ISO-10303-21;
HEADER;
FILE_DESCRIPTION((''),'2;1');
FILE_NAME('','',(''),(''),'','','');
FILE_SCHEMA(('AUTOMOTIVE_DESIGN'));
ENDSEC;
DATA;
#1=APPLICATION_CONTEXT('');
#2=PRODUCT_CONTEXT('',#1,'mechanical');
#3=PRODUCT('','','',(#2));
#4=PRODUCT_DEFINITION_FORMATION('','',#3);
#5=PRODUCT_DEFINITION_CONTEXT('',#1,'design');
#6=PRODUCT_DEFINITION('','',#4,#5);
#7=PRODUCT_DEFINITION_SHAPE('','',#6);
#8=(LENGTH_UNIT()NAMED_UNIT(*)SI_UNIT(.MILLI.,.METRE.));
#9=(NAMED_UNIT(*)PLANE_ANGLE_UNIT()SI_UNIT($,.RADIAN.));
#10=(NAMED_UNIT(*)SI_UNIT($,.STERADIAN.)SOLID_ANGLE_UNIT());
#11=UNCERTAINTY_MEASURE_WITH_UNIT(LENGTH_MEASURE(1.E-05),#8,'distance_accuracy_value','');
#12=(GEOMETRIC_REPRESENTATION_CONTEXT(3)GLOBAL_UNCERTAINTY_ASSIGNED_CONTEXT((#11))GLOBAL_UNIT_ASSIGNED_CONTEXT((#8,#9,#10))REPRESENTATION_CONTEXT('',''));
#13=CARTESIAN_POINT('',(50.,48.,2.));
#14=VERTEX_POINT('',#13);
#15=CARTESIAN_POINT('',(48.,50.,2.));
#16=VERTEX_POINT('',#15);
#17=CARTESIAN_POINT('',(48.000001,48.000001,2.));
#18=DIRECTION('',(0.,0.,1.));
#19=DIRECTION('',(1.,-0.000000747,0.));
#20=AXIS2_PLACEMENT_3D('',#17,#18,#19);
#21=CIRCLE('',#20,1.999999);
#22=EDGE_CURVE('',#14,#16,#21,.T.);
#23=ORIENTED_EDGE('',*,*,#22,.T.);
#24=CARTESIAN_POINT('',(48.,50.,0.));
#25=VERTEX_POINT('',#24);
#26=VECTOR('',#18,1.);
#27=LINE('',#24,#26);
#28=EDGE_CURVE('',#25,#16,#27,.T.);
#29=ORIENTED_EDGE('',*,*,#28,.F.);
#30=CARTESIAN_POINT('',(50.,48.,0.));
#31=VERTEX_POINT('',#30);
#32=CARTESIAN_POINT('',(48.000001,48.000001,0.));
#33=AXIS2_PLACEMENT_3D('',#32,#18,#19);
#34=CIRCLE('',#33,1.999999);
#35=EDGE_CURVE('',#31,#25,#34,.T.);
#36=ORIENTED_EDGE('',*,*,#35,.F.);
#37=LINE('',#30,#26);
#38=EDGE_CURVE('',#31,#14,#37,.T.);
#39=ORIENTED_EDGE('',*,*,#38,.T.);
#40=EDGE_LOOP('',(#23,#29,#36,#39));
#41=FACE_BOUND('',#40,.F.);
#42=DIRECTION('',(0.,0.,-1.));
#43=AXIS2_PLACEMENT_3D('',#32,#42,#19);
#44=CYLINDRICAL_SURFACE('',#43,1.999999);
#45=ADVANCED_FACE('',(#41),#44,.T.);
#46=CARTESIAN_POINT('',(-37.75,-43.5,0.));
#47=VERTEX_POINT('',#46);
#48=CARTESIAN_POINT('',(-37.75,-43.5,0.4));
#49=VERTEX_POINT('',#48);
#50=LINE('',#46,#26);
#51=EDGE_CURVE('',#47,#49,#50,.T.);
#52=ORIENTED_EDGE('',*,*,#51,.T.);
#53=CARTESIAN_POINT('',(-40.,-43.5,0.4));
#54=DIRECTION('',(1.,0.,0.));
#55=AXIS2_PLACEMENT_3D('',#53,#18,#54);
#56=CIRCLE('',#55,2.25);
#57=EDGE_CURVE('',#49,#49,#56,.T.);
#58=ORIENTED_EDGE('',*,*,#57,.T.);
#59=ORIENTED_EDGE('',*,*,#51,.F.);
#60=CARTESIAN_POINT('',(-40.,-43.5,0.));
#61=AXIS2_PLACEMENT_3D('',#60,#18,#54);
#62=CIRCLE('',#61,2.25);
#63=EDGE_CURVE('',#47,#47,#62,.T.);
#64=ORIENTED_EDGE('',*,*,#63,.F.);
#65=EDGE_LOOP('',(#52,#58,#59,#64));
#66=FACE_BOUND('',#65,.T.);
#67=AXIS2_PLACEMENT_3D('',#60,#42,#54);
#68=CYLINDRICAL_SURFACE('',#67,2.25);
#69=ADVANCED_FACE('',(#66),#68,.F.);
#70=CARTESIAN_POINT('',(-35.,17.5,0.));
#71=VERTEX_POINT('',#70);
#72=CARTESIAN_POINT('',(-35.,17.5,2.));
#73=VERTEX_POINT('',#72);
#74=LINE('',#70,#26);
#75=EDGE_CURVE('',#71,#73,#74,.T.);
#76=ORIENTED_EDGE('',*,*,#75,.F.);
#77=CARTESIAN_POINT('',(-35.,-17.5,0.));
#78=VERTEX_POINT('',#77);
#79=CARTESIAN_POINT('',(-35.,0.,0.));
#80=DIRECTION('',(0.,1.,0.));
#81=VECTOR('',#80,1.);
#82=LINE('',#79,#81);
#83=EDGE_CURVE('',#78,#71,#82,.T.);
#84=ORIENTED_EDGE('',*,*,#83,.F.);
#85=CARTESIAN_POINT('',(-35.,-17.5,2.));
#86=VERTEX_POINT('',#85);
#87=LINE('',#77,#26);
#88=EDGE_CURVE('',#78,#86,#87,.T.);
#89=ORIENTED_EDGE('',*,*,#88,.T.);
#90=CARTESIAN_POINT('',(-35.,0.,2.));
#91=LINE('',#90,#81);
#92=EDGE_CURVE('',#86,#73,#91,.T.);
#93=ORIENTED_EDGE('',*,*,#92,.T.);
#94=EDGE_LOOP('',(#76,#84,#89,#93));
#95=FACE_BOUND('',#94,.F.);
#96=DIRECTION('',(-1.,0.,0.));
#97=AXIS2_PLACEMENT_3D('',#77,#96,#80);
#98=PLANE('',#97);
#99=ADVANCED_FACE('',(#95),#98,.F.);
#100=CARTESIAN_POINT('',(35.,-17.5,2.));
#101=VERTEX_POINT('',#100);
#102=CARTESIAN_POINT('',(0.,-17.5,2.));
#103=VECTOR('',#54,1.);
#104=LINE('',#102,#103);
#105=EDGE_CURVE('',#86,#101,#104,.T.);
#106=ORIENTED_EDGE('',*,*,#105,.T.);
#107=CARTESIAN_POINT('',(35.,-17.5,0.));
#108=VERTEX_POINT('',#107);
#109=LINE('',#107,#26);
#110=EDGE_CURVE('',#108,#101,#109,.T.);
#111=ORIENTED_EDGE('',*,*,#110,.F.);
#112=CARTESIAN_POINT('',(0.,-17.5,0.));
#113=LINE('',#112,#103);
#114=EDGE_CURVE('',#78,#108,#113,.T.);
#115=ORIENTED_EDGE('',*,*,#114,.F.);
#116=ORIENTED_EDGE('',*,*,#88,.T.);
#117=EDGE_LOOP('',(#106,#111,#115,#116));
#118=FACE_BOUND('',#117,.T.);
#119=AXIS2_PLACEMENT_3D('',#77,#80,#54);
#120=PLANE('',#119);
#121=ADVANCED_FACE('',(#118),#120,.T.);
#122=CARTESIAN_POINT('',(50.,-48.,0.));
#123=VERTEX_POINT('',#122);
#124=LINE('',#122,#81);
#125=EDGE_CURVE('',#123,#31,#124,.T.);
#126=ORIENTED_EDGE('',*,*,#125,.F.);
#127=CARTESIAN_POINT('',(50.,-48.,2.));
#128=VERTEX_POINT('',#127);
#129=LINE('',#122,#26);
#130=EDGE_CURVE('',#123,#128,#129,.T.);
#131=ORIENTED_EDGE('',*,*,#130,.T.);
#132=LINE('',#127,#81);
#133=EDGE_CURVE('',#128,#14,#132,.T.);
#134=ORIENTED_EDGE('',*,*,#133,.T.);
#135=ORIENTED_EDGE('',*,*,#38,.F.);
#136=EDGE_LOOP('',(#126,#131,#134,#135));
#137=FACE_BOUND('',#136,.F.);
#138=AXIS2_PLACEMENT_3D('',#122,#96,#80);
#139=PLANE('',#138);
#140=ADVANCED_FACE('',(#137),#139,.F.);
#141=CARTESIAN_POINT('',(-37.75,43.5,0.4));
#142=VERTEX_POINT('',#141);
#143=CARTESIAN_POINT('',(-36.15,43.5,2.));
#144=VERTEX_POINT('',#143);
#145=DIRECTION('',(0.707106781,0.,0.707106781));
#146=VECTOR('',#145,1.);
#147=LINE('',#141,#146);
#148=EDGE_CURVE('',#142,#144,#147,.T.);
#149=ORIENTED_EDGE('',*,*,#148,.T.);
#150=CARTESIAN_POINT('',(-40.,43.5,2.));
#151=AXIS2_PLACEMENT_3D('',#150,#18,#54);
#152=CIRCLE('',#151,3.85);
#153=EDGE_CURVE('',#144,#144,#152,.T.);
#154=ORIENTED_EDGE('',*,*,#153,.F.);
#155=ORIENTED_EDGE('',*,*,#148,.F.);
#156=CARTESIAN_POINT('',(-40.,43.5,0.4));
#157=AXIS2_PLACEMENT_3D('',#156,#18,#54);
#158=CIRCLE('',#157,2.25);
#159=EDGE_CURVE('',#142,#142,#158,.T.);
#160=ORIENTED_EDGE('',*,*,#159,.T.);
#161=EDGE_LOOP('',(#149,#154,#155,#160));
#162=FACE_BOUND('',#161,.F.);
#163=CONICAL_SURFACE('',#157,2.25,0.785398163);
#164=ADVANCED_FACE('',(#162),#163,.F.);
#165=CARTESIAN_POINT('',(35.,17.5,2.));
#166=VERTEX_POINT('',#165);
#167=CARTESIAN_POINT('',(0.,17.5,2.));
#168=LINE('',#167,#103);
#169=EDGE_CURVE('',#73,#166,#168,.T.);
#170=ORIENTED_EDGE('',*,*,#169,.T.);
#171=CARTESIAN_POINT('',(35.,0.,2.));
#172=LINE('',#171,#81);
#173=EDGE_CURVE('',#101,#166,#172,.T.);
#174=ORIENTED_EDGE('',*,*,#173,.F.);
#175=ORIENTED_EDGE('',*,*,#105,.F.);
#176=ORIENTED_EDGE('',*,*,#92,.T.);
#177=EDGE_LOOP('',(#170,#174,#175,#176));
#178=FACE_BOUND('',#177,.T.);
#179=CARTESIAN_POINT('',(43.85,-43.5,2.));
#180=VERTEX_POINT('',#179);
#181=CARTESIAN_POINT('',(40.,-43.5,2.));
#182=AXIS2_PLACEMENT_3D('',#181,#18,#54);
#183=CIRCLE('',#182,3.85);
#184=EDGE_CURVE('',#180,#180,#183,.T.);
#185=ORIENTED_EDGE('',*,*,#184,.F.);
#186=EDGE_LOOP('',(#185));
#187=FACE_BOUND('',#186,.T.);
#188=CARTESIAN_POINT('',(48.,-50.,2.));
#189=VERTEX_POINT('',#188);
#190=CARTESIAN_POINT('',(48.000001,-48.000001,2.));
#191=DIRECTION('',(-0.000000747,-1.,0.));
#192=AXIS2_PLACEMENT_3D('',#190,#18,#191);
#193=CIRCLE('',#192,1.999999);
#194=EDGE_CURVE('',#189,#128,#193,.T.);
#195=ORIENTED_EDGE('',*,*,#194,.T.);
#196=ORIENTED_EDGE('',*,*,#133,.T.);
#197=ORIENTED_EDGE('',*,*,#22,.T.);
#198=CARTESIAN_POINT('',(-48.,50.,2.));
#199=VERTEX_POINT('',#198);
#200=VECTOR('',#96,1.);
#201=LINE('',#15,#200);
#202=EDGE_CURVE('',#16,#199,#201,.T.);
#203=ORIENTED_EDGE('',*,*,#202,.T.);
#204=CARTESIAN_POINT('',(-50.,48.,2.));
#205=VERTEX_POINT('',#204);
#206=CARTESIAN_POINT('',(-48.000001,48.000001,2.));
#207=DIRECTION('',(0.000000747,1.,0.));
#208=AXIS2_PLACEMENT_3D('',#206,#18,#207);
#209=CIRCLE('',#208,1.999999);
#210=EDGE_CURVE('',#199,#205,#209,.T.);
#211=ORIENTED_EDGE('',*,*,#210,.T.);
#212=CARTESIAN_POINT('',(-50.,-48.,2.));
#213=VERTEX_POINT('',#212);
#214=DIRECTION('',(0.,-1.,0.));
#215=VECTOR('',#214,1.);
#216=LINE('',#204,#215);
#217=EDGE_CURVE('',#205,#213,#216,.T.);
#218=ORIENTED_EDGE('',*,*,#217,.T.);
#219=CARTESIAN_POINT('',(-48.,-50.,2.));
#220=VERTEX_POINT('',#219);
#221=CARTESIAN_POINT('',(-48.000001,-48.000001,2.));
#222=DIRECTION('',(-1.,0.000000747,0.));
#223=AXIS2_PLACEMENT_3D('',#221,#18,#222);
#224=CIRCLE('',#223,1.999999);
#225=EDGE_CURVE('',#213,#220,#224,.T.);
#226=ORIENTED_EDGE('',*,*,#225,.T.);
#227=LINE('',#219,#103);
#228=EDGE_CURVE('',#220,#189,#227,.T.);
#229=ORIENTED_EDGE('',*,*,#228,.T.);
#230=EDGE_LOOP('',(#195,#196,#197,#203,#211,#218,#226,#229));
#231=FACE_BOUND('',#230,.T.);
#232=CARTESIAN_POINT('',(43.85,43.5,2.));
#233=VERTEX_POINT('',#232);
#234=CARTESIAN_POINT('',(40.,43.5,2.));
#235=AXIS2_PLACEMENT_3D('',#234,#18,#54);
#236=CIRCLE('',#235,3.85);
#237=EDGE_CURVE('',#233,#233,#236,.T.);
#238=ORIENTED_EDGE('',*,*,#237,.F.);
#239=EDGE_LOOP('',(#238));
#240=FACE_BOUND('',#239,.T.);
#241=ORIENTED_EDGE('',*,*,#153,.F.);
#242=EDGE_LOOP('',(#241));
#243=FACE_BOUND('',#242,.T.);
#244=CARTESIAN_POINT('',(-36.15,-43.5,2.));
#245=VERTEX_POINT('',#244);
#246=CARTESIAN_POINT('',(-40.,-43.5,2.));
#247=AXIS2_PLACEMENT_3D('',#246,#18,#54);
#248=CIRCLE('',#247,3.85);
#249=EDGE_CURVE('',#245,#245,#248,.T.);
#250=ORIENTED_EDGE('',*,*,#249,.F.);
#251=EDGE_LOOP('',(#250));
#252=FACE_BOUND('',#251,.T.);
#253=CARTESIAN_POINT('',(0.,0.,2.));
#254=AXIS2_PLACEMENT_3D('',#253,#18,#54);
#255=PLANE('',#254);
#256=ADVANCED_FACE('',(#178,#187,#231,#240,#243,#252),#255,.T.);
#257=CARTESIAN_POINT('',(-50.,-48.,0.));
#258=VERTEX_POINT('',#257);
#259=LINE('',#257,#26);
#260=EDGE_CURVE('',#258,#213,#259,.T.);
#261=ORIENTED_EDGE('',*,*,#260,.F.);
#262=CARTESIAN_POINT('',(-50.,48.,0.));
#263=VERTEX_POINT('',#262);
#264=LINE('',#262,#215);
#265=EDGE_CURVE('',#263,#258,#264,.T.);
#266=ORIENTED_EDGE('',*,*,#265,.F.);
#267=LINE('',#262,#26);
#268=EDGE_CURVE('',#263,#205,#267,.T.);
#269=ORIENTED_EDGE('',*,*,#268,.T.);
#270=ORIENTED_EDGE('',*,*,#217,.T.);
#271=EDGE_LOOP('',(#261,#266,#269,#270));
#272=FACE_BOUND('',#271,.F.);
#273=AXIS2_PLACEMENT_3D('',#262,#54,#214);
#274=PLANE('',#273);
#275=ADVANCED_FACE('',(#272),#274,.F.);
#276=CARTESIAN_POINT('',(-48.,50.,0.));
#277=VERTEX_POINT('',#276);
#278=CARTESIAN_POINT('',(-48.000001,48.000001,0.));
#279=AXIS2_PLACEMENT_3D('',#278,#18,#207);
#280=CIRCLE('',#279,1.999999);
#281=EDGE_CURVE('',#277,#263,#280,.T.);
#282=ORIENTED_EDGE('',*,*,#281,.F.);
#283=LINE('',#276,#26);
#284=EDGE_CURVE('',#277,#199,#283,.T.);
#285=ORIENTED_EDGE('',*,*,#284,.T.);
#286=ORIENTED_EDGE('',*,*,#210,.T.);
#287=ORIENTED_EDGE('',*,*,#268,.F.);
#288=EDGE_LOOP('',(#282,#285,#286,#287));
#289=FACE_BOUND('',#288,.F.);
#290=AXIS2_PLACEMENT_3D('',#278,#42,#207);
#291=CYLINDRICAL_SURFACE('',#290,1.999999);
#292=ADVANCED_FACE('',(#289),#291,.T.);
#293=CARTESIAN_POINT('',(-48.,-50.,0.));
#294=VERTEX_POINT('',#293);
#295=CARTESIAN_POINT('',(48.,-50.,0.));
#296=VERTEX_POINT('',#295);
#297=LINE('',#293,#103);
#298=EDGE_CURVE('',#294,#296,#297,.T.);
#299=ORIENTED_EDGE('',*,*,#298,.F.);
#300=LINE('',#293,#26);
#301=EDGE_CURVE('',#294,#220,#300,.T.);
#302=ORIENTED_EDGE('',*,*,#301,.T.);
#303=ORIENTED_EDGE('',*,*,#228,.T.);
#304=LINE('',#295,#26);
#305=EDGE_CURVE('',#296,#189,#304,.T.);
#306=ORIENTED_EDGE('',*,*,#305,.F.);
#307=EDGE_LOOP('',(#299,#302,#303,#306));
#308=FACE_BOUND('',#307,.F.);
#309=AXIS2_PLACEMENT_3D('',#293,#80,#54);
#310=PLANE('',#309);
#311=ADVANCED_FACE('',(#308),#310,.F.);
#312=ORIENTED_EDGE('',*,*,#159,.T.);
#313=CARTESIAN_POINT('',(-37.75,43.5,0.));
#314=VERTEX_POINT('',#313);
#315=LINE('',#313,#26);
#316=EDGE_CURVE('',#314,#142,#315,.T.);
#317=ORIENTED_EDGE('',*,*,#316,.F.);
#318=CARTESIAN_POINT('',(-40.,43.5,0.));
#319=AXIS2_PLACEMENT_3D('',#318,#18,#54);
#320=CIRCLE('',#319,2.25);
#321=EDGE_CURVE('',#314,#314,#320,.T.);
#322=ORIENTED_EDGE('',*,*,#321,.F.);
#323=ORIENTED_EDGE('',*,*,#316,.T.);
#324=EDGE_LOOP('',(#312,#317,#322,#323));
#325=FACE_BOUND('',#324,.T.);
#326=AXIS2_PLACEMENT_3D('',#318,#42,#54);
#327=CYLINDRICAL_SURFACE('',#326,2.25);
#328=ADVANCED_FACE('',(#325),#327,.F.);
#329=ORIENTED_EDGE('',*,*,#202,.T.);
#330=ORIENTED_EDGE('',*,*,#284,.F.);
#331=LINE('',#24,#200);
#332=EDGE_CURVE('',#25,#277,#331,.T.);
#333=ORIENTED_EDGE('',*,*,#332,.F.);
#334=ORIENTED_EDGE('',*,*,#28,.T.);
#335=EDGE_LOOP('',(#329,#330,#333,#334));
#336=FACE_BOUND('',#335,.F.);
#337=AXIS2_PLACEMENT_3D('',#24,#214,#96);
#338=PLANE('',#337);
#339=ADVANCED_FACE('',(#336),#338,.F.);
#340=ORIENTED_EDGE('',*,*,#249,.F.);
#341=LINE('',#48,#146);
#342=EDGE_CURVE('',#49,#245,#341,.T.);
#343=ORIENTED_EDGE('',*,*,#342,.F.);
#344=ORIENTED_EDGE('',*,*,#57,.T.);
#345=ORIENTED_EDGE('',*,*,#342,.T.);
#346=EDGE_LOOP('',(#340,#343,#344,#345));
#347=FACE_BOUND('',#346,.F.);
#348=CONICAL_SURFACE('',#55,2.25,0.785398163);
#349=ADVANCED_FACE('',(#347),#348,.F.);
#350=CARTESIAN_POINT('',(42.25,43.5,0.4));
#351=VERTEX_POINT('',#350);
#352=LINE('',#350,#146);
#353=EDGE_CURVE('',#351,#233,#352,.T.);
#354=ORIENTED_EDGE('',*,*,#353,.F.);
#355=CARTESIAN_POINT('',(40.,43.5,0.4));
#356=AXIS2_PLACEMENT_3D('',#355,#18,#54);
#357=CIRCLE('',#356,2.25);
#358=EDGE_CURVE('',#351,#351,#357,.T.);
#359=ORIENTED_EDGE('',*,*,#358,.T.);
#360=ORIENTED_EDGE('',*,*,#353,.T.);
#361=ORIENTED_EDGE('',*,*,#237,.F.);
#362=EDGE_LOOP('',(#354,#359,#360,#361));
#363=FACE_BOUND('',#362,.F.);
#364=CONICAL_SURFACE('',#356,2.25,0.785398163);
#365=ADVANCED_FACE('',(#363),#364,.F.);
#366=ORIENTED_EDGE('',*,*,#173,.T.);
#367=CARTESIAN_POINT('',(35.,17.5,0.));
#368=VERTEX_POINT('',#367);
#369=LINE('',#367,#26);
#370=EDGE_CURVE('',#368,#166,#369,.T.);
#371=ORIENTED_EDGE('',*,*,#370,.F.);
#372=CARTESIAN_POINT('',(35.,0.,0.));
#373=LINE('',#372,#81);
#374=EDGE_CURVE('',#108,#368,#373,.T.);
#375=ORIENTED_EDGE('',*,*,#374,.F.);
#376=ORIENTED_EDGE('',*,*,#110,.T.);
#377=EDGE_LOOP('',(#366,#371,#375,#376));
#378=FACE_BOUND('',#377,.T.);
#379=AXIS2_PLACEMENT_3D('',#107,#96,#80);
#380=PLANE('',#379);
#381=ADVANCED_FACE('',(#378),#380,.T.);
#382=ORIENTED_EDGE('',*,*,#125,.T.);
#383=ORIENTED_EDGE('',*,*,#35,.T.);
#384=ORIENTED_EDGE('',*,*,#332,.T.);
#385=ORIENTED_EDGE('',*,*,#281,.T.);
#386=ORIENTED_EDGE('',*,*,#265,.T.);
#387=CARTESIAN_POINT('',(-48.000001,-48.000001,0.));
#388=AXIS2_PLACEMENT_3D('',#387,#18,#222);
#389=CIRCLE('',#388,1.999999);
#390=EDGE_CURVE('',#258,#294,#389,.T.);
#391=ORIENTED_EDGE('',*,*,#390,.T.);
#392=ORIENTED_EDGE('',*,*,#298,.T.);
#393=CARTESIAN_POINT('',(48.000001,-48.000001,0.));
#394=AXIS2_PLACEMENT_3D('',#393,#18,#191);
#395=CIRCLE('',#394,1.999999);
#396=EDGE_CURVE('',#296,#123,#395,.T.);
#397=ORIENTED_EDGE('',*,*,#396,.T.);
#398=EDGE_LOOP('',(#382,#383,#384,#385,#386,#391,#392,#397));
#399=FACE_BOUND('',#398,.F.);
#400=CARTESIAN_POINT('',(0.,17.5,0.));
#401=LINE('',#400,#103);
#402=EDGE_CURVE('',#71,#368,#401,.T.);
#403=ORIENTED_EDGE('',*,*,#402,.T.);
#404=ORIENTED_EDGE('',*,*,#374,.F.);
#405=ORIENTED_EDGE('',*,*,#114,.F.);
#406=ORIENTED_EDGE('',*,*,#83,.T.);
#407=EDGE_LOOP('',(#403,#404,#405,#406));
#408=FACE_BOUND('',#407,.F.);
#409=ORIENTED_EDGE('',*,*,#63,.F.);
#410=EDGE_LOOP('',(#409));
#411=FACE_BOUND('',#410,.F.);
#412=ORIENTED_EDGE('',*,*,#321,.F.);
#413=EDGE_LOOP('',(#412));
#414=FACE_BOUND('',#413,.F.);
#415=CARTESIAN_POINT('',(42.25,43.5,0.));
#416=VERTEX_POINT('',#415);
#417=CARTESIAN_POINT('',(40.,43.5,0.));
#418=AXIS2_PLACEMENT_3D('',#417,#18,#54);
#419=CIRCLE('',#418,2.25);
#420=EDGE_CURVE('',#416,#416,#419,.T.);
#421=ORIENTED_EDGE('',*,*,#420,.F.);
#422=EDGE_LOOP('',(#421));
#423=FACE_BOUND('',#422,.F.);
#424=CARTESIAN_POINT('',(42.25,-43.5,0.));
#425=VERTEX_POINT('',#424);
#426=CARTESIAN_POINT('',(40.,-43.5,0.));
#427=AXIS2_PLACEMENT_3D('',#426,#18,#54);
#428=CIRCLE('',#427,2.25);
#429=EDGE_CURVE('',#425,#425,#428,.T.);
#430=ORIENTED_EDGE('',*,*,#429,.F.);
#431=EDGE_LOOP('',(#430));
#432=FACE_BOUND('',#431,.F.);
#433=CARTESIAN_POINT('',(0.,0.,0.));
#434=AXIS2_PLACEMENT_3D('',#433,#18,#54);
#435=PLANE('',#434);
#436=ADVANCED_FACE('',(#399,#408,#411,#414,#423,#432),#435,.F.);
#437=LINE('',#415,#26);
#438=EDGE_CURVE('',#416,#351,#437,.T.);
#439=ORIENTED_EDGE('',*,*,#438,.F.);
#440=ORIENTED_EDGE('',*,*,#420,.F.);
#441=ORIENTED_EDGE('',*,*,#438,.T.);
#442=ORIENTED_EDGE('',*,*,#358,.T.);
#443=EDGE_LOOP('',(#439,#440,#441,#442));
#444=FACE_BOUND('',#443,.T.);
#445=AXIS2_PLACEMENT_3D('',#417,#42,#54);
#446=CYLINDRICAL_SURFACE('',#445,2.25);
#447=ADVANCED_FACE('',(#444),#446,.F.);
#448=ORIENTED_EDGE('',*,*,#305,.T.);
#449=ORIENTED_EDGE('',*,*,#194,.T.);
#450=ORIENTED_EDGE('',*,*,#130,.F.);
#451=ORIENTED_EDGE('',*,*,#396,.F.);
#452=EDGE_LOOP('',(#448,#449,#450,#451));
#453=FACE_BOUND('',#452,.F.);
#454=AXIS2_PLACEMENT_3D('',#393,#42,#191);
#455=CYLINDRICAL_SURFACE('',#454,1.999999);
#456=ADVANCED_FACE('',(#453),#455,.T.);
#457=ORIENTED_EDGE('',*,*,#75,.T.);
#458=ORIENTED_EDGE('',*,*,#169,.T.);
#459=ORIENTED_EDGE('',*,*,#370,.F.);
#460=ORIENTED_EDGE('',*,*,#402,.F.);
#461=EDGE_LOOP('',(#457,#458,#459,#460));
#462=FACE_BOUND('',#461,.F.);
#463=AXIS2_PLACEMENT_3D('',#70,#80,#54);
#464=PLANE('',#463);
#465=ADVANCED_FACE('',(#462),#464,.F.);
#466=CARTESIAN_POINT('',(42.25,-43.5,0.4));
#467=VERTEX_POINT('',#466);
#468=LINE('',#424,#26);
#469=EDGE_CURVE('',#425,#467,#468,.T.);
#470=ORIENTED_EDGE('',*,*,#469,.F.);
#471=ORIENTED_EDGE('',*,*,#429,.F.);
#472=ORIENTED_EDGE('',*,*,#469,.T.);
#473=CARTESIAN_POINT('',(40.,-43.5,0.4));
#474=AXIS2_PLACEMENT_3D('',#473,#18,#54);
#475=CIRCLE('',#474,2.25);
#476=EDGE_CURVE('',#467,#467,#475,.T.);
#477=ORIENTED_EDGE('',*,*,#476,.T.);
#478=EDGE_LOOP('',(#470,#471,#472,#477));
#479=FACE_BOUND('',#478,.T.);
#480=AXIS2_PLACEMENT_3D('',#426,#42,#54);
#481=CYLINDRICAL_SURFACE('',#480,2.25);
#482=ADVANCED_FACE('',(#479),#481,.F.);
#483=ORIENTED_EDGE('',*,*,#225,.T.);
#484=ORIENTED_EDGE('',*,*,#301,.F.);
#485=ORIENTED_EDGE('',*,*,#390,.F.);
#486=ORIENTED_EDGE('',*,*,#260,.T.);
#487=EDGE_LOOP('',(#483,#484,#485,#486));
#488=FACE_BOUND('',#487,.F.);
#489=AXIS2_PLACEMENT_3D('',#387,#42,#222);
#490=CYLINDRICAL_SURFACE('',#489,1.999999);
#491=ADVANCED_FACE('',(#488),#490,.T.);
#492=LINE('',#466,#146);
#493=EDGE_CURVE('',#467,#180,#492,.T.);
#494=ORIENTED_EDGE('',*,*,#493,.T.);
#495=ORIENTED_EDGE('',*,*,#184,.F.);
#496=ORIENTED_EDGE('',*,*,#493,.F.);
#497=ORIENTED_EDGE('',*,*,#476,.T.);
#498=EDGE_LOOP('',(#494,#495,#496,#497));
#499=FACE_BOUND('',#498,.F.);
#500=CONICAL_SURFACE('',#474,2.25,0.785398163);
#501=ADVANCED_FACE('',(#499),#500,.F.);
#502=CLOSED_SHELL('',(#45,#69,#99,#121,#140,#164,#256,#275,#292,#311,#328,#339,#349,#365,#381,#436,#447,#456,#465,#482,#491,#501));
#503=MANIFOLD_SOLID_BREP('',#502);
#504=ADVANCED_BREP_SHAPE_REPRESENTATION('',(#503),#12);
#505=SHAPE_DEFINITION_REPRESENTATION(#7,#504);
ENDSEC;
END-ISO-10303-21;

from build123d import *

# Parameters (mm, degrees)
F0_R     = 2.25
F0_W     = 70
F0_H     = 35
F1_DEPTH = 2
F2_SIZE  = 1.6


with BuildPart() as f1:
    # F0 (on Top) → F1 (new body)
    with BuildSketch(Plane.XY):
        with BuildLine():
            Line((-48, -50), (48, -50))
            ThreePointArc((48, -50), (49.414214, -49.414214), (50, -48))
            Line((50, -48), (50, 48))
            ThreePointArc((50, 48), (49.414214, 49.414214), (48, 50))
            Line((48, 50), (-48, 50))
            ThreePointArc((-48, 50), (-49.414214, 49.414214), (-50, 48))
            Line((-50, 48), (-50, -48))
            ThreePointArc((-50, -48), (-49.414214, -49.414214), (-48, -50))
        make_face()
        with Locations((-40, -43.5)):
            Circle(F0_R, mode=Mode.SUBTRACT)
        with Locations((40, -43.5)):
            Circle(F0_R, mode=Mode.SUBTRACT)
        with Locations((-40, 43.5)):
            Circle(F0_R, mode=Mode.SUBTRACT)
        Rectangle(F0_W, F0_H, mode=Mode.SUBTRACT)
        with Locations((40, 43.5)):
            Circle(F0_R, mode=Mode.SUBTRACT)
    extrude(amount=F1_DEPTH)

    # F2
    f2_edges = [f1.edges().sort_by_distance(p)[0] for p in [
        (-42.25, 43.5, 2),
        (37.75, 43.5, 2),
        (37.75, -43.5, 2),
        (-42.25, -43.5, 2),
    ]]
    chamfer(f2_edges, length=F2_SIZE)


solid = f1.part
